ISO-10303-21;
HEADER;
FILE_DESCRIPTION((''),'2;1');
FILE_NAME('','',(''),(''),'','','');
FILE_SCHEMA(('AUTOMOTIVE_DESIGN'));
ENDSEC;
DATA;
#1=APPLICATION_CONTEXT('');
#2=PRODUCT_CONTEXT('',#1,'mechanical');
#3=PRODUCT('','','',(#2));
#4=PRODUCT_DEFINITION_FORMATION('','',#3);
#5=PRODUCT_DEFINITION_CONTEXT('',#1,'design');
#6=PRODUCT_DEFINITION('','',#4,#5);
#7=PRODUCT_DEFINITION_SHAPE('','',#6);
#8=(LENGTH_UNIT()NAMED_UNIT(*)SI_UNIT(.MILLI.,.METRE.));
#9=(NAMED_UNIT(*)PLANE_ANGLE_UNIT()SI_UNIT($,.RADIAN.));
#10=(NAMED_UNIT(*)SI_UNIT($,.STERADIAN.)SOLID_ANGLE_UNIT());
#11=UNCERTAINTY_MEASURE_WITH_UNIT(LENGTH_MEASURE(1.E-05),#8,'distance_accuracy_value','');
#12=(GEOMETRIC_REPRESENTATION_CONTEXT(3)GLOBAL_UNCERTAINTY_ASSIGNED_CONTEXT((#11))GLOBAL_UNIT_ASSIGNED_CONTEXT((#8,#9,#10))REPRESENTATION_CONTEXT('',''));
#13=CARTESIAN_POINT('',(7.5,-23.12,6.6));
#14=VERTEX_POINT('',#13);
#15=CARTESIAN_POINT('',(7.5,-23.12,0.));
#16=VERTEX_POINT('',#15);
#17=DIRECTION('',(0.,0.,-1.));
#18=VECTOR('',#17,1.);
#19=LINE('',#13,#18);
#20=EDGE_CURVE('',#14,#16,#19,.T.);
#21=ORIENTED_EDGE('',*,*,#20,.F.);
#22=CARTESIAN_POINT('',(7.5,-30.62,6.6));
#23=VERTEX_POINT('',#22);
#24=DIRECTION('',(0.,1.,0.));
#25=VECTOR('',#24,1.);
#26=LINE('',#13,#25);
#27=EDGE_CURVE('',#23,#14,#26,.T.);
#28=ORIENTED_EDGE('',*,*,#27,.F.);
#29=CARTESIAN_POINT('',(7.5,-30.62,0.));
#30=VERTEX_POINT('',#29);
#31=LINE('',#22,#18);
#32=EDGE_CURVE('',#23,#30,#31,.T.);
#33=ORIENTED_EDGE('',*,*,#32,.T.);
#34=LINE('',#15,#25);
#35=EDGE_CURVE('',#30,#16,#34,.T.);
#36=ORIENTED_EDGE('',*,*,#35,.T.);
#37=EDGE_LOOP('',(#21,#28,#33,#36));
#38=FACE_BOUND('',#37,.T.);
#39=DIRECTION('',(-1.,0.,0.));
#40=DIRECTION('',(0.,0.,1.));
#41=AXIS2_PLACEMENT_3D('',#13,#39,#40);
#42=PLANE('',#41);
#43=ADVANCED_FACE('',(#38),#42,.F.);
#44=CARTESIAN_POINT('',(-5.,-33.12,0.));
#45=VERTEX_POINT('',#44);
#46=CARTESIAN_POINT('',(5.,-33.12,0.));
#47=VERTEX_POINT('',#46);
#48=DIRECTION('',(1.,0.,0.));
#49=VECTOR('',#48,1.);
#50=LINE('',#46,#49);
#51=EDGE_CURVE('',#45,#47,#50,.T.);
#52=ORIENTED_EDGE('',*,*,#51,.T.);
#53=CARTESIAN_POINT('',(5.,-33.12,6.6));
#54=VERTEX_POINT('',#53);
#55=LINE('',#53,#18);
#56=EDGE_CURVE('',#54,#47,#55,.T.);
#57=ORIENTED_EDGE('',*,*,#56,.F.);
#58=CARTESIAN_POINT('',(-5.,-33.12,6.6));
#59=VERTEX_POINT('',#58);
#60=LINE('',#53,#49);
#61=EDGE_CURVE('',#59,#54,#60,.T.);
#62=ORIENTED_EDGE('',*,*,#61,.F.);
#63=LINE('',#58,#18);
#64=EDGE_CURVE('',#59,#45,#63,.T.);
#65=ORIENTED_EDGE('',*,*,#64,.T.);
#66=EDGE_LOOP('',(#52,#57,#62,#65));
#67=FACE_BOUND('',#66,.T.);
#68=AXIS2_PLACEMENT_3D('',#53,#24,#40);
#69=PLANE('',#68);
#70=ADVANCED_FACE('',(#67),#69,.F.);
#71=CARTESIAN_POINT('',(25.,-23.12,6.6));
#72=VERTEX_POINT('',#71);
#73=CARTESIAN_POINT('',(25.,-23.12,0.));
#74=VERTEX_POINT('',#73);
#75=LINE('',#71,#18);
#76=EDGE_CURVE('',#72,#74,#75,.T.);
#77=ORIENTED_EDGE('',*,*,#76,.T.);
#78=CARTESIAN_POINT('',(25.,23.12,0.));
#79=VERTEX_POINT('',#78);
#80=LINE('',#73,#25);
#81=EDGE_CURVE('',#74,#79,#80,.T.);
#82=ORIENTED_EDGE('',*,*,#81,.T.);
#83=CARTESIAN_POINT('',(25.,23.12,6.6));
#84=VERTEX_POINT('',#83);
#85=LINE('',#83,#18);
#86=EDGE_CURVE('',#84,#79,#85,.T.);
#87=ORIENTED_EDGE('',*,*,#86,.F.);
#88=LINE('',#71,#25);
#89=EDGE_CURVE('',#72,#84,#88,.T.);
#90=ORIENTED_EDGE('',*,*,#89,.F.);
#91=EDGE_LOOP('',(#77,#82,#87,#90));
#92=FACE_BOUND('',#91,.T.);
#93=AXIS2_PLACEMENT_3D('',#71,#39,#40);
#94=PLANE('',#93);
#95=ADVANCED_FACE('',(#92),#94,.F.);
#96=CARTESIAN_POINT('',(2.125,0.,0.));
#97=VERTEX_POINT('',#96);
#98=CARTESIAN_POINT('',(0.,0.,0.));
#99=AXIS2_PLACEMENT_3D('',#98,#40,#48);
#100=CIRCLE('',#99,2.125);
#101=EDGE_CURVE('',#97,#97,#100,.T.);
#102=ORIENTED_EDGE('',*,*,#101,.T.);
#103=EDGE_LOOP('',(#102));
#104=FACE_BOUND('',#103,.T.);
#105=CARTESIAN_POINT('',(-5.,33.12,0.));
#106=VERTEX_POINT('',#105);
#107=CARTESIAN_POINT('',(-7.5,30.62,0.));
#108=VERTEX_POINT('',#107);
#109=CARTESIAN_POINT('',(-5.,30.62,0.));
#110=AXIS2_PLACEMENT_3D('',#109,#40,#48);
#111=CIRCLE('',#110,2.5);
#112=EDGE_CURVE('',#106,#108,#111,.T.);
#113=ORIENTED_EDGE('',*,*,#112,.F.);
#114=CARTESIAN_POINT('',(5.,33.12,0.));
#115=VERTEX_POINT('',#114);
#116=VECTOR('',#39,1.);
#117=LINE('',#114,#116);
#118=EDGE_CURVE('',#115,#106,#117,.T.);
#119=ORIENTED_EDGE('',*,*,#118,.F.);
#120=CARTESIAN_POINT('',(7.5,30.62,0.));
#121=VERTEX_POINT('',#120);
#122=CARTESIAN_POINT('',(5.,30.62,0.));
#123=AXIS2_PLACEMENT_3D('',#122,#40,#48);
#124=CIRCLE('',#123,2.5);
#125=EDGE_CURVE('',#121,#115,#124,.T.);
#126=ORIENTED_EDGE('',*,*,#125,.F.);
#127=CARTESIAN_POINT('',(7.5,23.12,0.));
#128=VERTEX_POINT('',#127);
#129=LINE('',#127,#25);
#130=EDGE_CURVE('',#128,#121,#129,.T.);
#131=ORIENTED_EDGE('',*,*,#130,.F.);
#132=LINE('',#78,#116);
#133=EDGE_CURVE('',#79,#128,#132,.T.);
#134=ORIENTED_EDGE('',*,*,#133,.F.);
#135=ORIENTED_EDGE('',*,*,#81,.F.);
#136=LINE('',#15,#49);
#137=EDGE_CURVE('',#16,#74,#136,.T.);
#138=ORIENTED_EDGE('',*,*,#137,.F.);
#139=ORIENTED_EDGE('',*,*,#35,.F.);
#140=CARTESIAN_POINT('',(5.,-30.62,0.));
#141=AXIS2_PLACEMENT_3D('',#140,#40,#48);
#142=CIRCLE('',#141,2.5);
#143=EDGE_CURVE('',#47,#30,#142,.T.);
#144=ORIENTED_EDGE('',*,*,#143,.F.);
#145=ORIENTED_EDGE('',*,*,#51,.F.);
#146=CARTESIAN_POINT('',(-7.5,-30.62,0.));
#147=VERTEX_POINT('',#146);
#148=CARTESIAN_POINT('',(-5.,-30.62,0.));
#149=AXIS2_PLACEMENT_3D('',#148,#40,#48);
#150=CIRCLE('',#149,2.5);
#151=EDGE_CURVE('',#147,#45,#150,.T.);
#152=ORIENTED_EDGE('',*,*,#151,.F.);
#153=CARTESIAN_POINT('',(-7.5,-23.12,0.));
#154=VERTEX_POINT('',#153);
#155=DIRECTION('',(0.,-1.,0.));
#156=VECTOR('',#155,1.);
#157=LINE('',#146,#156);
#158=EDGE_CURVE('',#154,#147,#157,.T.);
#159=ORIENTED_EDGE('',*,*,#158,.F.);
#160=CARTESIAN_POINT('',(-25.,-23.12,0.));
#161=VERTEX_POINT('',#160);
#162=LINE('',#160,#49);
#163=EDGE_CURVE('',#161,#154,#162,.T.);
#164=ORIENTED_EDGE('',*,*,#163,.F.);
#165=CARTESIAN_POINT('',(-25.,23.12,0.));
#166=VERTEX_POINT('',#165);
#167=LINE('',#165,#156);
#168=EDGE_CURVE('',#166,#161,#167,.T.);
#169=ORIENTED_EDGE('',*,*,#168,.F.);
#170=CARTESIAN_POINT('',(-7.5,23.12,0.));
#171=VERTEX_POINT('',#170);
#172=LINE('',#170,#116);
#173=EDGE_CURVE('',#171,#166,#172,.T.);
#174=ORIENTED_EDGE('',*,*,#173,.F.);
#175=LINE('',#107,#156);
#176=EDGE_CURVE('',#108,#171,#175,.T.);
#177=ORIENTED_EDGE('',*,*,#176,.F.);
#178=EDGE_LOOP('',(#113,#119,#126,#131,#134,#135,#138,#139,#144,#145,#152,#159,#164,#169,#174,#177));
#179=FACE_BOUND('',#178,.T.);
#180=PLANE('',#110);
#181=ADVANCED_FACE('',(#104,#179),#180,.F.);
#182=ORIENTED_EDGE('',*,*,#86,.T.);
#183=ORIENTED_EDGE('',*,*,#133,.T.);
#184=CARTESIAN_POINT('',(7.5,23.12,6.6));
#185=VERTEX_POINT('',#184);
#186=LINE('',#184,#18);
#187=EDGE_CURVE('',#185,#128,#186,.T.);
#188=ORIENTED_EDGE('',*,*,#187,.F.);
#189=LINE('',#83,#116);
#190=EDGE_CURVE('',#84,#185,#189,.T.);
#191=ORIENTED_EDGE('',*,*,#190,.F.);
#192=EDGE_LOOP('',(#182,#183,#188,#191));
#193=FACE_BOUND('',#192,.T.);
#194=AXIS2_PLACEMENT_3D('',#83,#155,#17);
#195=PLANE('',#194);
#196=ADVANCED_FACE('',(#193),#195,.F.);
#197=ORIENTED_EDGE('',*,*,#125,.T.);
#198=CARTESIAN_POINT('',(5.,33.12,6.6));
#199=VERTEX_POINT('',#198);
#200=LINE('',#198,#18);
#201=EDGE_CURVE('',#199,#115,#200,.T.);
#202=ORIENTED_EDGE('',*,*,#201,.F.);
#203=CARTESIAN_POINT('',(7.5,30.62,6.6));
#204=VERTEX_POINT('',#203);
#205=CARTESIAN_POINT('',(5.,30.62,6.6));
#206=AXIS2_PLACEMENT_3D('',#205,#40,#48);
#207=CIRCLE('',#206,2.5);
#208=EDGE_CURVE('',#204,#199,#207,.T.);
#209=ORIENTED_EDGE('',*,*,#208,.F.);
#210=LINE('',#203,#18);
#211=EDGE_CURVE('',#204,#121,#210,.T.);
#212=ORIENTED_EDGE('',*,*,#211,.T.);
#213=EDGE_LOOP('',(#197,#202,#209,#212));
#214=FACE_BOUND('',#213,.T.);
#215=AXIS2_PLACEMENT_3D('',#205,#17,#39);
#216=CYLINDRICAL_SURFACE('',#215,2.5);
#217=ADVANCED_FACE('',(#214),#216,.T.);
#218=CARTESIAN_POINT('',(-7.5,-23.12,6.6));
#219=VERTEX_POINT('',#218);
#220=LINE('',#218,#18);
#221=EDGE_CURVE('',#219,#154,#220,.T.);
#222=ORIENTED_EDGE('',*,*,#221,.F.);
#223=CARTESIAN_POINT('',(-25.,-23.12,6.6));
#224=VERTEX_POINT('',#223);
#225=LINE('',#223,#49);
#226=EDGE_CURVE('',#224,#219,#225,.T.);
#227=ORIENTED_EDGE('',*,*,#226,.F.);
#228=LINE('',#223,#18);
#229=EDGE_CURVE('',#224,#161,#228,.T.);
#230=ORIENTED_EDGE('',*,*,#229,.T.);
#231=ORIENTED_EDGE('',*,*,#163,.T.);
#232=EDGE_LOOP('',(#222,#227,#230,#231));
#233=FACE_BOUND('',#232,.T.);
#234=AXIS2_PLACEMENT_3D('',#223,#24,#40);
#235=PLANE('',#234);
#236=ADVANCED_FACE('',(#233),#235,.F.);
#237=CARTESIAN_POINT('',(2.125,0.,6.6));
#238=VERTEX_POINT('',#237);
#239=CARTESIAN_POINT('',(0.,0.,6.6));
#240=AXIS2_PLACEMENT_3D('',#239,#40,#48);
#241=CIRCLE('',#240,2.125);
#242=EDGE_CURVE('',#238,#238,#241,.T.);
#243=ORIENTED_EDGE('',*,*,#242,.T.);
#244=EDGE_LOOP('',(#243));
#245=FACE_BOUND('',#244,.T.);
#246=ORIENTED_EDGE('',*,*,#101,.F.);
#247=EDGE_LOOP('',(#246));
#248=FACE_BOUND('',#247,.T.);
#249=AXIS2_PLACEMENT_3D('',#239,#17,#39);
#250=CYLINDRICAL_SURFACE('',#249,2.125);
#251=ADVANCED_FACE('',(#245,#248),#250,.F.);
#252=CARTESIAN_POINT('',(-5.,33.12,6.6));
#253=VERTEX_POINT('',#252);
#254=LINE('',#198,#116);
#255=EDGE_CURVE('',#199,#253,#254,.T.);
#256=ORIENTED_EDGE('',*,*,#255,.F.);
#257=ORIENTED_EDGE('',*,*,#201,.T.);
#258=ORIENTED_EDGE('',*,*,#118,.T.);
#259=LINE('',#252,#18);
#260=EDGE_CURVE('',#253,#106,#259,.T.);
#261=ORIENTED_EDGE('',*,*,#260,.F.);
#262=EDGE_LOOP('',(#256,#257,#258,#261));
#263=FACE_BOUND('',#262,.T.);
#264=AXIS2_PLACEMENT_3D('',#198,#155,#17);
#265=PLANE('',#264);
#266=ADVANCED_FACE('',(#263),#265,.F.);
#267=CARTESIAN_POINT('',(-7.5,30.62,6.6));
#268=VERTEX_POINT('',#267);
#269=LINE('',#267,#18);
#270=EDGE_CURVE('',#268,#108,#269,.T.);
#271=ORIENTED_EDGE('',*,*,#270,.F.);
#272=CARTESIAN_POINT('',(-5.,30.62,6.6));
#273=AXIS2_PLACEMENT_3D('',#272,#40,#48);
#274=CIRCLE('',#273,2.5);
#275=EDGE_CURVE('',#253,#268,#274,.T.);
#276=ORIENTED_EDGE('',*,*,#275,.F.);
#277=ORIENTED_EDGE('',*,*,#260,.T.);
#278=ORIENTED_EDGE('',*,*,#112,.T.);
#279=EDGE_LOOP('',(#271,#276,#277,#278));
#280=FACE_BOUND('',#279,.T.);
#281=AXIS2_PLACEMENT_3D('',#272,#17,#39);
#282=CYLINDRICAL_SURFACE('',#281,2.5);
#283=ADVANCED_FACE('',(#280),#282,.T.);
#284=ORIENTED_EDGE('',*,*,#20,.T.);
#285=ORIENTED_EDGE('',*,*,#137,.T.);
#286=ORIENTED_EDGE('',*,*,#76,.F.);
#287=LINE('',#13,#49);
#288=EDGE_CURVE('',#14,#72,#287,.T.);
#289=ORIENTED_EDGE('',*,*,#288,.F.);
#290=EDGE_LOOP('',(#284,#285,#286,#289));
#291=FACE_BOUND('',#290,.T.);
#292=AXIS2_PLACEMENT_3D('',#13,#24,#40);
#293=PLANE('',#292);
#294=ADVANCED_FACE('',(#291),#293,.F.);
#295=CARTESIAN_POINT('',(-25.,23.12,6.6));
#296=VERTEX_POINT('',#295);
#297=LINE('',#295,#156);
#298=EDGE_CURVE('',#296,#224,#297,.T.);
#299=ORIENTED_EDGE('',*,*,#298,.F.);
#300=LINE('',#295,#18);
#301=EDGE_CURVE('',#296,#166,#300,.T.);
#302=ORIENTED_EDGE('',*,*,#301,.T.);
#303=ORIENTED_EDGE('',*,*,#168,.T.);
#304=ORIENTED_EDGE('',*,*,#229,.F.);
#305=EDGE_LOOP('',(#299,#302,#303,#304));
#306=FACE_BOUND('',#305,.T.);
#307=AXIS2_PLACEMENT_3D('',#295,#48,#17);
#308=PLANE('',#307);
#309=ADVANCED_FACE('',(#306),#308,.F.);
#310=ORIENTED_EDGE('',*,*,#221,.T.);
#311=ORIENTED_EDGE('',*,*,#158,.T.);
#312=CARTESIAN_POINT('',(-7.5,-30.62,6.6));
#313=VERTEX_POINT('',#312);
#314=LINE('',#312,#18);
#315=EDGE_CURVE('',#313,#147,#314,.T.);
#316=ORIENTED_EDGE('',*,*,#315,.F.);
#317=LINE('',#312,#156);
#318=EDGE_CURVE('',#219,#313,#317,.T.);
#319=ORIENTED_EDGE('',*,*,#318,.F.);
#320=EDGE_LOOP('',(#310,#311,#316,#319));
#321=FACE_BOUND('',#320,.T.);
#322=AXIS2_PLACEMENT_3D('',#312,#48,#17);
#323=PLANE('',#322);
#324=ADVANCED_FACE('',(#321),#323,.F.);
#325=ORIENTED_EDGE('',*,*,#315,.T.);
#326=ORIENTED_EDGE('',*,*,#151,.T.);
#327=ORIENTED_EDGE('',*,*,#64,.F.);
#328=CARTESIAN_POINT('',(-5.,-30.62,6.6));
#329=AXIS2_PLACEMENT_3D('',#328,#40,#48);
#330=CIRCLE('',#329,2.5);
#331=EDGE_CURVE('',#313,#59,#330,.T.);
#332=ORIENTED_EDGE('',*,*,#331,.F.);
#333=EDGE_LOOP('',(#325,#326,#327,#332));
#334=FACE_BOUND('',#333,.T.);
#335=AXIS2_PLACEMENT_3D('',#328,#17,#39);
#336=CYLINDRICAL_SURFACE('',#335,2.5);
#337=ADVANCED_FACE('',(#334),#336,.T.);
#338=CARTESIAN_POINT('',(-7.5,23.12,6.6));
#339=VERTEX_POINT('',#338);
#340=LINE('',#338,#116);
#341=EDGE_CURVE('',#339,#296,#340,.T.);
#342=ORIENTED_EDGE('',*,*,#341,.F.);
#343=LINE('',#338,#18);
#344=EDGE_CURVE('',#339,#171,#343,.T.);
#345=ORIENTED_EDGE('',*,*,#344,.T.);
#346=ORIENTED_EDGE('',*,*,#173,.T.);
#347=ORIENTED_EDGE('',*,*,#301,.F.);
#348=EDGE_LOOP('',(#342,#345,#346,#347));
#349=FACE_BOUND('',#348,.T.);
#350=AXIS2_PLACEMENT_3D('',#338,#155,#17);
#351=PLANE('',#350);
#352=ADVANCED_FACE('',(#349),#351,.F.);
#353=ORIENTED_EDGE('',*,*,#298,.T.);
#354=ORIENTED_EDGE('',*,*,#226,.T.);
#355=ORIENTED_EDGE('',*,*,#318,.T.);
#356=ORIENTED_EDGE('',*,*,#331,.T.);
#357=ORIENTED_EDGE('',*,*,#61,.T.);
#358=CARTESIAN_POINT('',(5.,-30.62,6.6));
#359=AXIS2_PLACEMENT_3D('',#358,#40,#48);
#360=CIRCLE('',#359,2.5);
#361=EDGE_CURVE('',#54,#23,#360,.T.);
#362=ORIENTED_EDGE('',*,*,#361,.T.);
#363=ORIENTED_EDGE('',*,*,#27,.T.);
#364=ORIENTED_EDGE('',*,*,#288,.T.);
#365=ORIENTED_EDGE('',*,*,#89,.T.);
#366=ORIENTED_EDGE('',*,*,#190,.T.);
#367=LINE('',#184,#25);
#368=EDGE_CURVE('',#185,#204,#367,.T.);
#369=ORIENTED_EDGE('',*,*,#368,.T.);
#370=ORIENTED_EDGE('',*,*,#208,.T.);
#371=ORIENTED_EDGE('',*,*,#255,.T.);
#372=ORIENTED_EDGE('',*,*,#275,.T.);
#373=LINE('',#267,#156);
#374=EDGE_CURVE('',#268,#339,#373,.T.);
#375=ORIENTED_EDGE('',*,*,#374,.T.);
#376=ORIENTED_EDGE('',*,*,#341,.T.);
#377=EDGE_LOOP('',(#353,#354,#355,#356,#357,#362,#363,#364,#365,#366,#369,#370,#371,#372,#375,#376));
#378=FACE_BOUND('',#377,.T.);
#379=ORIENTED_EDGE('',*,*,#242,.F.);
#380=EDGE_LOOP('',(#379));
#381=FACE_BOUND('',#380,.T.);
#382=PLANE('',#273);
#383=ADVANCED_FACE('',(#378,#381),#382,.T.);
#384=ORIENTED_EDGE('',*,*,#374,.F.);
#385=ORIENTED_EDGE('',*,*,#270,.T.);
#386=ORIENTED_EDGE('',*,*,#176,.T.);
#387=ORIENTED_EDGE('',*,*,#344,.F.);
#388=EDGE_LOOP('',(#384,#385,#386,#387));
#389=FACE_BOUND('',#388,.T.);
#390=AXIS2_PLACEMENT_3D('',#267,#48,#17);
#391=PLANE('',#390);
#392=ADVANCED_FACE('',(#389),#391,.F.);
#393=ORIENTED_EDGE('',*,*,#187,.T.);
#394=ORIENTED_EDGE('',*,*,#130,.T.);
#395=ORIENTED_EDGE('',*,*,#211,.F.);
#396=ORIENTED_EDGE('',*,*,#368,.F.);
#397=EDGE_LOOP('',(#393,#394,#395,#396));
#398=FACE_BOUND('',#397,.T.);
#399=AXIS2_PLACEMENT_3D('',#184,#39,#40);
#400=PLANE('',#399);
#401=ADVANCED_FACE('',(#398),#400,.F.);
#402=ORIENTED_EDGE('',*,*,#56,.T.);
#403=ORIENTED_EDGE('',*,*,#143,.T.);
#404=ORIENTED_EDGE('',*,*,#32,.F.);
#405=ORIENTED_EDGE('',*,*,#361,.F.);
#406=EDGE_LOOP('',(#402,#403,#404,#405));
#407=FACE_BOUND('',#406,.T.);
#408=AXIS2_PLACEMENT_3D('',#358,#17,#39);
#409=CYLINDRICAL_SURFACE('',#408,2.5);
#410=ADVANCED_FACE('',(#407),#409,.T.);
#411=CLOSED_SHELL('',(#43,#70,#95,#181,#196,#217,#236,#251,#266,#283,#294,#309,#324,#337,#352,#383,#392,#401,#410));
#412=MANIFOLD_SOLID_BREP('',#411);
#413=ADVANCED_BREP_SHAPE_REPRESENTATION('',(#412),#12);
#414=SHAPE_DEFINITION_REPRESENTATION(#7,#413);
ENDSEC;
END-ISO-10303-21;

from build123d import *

# Parameters (mm, degrees)
MODEL_R             = 2.125
BOSS_EXTRUDE1_DEPTH = 6.6


with BuildPart() as part:
    # Model → Boss-Extrude1 (new body)
    with BuildSketch(Plane.XY):
        with BuildLine():
            Line((-25, 23.12), (-25, -23.12))
            Line((-25, -23.12), (-7.5, -23.12))
            Line((-7.5, -23.12), (-7.5, -30.62))
            ThreePointArc((-7.5, -30.62), (-6.767766953, -32.387766953), (-5, -33.12))
            Line((-5, -33.12), (5, -33.12))
            ThreePointArc((5, -33.12), (6.767766953, -32.387766953), (7.5, -30.62))
            Line((7.5, -30.62), (7.5, -23.12))
            Line((7.5, -23.12), (25, -23.12))
            Line((25, -23.12), (25, 23.12))
            Line((25, 23.12), (7.5, 23.12))
            Line((7.5, 23.12), (7.5, 30.62))
            ThreePointArc((7.5, 30.62), (6.767766953, 32.387766953), (5, 33.12))
            Line((5, 33.12), (-5, 33.12))
            ThreePointArc((-5, 33.12), (-6.767766953, 32.387766953), (-7.5, 30.62))
            Line((-7.5, 30.62), (-7.5, 23.12))
            Line((-7.5, 23.12), (-25, 23.12))
        make_face()
        Circle(MODEL_R, mode=Mode.SUBTRACT)
    extrude(amount=BOSS_EXTRUDE1_DEPTH)


solid = part.part
